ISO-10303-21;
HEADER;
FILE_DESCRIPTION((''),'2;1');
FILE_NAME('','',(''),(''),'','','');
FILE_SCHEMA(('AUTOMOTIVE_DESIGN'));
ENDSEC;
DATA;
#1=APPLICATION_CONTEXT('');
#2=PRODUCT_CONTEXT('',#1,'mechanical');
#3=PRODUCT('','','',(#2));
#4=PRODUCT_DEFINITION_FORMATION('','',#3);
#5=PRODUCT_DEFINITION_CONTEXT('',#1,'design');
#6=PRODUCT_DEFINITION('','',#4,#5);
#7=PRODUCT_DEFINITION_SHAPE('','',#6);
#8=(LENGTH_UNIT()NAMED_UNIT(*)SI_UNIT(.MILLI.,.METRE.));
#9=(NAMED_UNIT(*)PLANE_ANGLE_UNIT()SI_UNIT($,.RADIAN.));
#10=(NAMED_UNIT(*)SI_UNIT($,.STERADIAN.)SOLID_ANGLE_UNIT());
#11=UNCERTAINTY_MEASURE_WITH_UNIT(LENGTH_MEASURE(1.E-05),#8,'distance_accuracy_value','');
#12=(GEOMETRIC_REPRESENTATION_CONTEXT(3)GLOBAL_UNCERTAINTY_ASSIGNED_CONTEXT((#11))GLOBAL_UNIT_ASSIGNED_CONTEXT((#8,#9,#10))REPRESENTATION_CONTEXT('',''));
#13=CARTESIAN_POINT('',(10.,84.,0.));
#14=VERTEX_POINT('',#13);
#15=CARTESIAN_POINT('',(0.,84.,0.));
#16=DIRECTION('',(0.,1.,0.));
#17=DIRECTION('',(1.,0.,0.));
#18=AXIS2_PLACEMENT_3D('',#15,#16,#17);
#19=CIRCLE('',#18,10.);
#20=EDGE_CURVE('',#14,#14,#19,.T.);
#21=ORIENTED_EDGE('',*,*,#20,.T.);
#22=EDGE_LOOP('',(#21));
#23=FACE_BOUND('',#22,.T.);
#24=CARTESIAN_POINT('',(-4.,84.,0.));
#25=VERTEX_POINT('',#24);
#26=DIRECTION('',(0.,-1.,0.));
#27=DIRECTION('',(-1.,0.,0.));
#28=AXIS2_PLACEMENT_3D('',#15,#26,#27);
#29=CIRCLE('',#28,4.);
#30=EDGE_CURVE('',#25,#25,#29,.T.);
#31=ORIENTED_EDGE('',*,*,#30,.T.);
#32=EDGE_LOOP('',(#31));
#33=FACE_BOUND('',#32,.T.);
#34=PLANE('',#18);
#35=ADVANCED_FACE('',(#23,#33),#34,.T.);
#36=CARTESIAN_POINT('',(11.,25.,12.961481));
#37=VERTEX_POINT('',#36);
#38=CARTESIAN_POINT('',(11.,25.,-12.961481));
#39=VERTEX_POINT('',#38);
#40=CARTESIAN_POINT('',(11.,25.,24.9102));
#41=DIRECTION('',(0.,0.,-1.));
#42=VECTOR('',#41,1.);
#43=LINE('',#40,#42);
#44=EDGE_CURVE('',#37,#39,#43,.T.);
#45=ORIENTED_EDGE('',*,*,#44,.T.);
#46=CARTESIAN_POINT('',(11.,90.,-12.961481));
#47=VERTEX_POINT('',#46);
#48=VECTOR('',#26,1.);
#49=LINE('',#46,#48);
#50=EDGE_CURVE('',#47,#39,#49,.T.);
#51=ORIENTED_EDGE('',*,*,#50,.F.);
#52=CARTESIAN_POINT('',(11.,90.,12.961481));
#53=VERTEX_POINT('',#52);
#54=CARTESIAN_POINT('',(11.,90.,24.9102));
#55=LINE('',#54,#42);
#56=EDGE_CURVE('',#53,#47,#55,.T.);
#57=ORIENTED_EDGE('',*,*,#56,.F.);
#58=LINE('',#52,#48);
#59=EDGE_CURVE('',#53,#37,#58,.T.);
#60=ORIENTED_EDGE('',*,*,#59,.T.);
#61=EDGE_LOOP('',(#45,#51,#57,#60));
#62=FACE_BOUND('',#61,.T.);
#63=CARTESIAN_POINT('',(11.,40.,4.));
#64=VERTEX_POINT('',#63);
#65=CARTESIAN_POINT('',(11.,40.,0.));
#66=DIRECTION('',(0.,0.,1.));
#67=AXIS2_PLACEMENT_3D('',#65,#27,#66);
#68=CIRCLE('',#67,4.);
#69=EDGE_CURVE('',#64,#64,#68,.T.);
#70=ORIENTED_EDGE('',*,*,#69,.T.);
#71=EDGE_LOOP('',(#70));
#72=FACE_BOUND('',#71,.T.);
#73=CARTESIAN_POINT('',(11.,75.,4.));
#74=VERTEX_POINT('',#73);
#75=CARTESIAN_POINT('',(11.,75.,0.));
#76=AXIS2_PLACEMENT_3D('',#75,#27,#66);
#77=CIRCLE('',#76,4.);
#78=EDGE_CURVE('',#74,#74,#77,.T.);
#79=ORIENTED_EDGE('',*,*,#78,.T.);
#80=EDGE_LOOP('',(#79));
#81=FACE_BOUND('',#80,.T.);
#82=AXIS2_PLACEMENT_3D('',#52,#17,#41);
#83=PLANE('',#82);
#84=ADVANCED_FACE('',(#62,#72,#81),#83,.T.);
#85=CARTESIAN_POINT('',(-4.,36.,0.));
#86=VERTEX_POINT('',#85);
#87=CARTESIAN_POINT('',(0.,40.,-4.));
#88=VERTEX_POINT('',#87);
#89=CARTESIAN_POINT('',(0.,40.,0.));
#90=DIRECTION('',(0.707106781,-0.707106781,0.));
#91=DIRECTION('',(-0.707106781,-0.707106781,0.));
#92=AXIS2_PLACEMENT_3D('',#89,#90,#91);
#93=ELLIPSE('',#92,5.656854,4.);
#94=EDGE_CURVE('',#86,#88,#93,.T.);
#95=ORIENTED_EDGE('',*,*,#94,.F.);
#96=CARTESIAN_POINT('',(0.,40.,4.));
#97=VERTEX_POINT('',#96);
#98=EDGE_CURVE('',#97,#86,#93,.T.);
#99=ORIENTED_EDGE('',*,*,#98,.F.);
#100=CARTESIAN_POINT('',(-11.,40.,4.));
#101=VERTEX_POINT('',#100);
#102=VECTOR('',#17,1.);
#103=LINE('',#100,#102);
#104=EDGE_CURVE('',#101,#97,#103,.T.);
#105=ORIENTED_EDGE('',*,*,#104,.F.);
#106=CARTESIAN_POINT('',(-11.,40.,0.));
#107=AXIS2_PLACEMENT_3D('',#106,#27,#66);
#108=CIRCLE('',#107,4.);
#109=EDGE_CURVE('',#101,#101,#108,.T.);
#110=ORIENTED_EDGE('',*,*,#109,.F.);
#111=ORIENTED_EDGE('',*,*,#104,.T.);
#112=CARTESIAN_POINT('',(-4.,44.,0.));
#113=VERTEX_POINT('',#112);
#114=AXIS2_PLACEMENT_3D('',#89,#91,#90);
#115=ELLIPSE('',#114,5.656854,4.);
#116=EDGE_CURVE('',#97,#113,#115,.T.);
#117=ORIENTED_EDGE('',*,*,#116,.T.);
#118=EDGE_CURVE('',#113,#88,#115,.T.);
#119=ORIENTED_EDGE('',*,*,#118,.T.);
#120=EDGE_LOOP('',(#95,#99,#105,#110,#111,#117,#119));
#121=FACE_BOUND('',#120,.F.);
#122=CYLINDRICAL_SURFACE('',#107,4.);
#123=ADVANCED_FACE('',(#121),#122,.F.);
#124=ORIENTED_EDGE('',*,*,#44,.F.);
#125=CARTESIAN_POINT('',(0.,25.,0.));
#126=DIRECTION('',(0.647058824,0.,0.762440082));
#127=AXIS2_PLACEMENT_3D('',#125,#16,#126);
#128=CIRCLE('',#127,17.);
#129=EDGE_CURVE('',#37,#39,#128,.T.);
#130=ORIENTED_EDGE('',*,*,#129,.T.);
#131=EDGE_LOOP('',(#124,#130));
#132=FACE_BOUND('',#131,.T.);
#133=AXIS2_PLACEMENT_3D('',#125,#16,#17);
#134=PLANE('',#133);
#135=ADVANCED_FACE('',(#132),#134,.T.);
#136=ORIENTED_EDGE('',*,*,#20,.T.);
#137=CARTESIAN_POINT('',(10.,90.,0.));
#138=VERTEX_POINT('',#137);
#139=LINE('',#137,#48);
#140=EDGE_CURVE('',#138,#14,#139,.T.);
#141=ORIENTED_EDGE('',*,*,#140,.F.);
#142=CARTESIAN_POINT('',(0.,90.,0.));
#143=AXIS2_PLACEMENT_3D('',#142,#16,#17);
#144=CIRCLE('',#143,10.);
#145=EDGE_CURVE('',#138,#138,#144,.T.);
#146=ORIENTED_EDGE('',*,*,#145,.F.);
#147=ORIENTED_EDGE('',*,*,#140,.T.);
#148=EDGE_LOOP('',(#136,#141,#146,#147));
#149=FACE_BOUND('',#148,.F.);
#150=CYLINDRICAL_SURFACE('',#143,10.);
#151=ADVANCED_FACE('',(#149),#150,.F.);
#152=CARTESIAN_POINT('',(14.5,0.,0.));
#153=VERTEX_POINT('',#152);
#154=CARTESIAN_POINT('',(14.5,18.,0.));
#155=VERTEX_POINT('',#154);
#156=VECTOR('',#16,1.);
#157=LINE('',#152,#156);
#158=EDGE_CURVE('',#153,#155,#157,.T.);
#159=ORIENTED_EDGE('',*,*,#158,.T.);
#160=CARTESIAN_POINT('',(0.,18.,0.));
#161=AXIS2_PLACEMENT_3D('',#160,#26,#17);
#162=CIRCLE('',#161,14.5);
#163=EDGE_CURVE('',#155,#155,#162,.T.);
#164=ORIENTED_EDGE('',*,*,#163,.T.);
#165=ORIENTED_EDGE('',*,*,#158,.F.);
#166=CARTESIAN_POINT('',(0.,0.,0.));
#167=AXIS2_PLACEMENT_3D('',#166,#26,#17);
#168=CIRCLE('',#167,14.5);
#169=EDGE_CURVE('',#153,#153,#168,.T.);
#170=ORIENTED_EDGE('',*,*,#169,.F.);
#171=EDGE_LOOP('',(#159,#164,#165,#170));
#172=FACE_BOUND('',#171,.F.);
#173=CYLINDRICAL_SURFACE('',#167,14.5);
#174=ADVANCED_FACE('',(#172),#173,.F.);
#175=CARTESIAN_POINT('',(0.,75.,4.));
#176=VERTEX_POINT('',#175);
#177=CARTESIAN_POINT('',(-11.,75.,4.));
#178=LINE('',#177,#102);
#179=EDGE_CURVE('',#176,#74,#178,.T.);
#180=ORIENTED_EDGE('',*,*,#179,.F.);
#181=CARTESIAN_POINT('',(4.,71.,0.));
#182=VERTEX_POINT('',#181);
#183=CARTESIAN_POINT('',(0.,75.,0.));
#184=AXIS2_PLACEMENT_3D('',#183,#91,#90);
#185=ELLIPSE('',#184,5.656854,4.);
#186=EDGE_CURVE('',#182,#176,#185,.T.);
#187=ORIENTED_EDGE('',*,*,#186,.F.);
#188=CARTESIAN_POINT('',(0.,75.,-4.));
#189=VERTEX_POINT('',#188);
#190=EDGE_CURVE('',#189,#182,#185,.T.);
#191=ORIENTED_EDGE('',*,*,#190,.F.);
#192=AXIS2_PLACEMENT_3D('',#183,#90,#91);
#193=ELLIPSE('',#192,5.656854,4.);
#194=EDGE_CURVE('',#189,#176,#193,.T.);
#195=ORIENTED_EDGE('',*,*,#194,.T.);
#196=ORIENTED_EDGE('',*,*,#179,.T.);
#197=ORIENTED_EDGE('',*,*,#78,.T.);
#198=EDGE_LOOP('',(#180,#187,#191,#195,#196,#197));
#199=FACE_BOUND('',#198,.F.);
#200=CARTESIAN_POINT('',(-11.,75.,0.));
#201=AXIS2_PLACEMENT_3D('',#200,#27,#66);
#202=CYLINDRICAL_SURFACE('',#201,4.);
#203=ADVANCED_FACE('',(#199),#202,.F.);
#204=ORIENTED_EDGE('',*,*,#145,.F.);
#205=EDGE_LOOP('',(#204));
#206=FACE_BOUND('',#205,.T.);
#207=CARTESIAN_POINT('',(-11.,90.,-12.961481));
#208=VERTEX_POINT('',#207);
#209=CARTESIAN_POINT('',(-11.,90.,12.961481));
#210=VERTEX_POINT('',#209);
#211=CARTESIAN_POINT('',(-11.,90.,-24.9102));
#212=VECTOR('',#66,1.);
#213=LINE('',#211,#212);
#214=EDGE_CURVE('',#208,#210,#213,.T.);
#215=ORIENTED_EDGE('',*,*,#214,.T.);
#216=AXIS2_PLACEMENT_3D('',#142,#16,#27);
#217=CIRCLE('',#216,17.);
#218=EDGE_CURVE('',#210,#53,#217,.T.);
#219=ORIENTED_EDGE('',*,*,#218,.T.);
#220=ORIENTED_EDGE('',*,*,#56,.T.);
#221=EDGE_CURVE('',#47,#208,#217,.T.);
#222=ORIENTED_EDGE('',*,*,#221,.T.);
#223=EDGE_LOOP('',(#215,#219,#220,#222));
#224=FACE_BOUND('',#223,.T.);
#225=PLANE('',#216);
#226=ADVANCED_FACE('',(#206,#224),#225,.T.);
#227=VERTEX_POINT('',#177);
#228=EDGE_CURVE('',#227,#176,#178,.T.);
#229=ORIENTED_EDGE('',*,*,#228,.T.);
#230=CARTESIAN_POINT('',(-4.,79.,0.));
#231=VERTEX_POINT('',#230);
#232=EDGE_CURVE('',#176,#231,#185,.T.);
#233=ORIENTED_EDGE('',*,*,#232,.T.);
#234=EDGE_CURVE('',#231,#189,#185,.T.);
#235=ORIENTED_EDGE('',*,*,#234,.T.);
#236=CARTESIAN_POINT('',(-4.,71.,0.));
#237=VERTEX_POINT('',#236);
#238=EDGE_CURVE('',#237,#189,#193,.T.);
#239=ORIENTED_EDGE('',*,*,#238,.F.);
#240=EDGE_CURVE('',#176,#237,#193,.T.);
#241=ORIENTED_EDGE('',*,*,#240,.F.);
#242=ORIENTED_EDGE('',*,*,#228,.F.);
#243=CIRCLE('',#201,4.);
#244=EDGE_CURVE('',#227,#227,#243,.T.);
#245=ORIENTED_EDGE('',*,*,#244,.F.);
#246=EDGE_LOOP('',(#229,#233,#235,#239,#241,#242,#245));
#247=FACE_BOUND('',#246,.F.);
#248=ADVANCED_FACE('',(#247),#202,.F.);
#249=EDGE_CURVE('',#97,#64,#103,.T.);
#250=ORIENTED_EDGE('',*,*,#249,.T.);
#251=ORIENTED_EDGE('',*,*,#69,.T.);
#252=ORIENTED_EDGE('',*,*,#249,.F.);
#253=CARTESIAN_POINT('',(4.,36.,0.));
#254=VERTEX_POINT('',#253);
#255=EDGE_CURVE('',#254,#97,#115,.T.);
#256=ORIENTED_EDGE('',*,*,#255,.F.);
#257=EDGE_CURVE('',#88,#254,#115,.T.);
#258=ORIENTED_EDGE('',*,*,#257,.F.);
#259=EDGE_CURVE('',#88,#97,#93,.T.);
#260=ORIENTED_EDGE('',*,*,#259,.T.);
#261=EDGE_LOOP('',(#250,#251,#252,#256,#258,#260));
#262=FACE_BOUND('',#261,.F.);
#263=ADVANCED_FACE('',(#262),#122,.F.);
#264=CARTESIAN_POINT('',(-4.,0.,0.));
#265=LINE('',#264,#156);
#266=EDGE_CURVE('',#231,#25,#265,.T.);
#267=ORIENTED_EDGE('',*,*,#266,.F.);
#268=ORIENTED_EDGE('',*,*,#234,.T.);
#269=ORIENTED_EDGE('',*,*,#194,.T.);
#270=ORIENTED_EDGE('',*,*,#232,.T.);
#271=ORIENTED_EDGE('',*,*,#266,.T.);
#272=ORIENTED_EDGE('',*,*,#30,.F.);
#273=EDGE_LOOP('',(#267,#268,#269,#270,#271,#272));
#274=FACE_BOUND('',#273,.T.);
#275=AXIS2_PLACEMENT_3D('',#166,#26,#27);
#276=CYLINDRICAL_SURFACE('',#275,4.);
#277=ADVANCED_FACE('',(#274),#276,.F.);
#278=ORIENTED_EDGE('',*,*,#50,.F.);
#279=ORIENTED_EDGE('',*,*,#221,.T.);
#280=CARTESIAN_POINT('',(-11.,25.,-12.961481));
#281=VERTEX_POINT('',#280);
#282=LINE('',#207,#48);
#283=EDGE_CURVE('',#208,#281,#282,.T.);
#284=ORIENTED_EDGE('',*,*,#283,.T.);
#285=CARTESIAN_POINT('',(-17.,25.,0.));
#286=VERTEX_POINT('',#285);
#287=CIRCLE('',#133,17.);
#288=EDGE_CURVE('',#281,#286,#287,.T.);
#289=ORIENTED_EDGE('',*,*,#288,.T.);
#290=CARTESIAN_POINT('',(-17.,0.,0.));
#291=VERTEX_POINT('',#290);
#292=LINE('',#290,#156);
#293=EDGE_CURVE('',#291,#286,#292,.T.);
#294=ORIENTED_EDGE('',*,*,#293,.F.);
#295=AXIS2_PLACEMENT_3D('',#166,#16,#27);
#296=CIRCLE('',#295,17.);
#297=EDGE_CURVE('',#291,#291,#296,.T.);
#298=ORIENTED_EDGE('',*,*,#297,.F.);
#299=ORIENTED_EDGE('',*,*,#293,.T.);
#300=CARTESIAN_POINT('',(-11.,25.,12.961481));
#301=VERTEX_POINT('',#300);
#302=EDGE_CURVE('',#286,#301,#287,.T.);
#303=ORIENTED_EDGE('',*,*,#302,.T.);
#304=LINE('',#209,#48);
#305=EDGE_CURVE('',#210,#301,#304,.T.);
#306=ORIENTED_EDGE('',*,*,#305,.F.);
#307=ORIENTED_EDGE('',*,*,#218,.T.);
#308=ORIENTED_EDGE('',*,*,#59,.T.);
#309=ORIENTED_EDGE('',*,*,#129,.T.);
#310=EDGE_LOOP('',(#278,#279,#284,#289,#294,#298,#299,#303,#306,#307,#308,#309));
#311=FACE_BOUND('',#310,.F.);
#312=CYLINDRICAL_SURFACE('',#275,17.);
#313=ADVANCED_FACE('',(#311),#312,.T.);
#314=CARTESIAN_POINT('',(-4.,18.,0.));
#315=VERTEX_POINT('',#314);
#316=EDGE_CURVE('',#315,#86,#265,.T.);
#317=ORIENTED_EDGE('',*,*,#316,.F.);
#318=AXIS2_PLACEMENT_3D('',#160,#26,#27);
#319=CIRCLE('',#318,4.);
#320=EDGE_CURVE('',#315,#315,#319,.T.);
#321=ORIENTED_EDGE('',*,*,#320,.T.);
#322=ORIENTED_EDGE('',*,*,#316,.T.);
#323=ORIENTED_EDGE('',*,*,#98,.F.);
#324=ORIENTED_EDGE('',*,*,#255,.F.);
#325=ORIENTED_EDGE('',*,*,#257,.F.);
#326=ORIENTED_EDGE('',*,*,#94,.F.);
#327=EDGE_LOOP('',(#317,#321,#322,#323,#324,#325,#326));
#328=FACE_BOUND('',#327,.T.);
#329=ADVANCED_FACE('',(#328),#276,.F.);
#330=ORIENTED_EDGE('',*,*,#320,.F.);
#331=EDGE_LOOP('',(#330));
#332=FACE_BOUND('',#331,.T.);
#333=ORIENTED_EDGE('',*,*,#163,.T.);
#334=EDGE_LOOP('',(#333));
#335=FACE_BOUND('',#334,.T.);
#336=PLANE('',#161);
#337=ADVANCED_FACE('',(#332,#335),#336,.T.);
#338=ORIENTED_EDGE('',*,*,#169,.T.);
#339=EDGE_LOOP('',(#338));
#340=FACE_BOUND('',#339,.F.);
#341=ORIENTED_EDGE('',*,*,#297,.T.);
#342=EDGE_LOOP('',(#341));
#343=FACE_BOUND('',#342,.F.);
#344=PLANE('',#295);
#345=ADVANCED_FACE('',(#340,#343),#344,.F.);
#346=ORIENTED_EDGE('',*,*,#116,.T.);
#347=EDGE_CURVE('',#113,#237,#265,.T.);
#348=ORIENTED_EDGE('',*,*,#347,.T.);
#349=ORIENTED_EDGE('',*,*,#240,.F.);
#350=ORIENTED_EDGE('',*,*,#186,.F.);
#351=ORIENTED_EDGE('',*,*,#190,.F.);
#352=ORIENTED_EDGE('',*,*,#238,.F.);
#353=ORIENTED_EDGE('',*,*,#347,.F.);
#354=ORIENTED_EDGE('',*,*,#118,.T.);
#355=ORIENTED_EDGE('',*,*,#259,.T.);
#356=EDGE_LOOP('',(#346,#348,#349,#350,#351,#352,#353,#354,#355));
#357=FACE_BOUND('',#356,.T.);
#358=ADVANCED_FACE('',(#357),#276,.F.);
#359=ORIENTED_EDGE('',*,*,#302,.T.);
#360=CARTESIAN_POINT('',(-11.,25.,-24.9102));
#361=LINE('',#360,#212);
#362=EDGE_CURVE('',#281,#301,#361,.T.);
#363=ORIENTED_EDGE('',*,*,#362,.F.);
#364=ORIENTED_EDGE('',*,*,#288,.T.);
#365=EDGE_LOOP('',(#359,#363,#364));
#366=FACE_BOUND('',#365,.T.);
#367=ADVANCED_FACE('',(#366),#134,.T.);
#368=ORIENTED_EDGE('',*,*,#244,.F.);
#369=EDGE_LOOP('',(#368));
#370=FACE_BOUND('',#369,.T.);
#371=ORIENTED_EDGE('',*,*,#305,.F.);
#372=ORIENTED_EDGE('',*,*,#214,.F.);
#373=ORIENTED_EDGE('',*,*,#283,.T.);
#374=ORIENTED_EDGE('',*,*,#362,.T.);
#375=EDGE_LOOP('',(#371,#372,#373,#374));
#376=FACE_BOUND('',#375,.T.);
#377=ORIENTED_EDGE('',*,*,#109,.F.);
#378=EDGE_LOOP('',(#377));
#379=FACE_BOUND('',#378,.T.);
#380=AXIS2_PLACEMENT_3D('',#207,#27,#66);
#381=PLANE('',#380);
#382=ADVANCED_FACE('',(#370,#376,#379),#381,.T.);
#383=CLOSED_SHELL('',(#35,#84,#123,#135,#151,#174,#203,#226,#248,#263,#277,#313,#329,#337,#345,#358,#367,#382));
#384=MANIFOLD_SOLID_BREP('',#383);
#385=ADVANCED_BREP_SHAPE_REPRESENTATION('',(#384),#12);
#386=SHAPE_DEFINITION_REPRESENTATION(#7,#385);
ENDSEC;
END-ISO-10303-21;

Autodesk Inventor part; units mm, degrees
ref_plane "YZ Plane" through (0, 0, 0) normal (1, 0, 0) x (0, 1, 0)
ref_plane "XZ Plane" through (0, 0, 0) normal (0, 1, 0) x (-1, 0, 0)
ref_plane "XY Plane" through (0, 0, 0) normal (0, 0, 1) x (1, 0, 0)
sketch "Sketch1" plane through (0, 0, 0) normal (0, 1, 0) x (-1, 0, 0)
  circle A0 centre (0, 0) radius 4
  circle A1 centre (0, 0) radius 17
  dimension "d0" = 8
  dimension "d1" = 34
extrude "Extrusion1" add sketch "Sketch1" along normal blind 90
sketch "Sketch3" plane through (0, 90, 0) normal (0, 1, 0) x (1, 0, 0)
  line L0 (11, 24.9102) -> (-11, 24.9102)
  line L1 (-11, 24.9102) -> (-11, -24.9102)
  line L2 (-11, -24.9102) -> (11, -24.9102)
  line L3 (11, -24.9102) -> (11, 24.9102)
  line L4 (11, 24.9102) -> (-11, -24.9102) construction
  line L5 (-11, 24.9102) -> (11, -24.9102) construction
  circle A0 centre (0, 0) radius 17
  circle A1 centre (0, 0) radius 17 projected
  point P0 (11, 12.9615)
  point P1 (11, -12.9615)
  point P2 (-11, -12.9615)
  point P3 (-11, 12.9615)
  dimension "d7" = 22
extrude "Extrusion3" cut sketch "Sketch3" against normal blind 65 contours A0 L3 | L1 A0
sketch "Sketch4" plane through (-11, 90, -12.9615) normal (-1, 0, 0) x (0, 0, 1)
  circle A0 centre (12.9615, -50) radius 4
  circle A1 centre (12.9615, -15) radius 4
  line L0 (0, 0) -> (25.923, 0) projected
  line L1 (29.9615, -90) -> (-4.0385, -90) projected
  line L2 (0, -65) -> (25.923, -65) projected
  line L3 (25.923, 0) -> (25.923, -65) projected
  line L4 (0, 0) -> (25.923, 0) projected
  line L5 (0, -65) -> (0, 0) projected
  line L6 (0, -65) -> (25.923, -65) projected
  line L7 (25.923, 0) -> (25.923, -65) projected
  line L8 (12.9615, -65) -> (12.9615, -59.6994)
  point P0 (0.995, 0)
  point P1 (15.5881, 0)
  dimension "d12" = 15
  dimension "d15" = 8
  dimension "d17" = 15
extrude "Extrusion4" cut sketch "Sketch4" against normal through all contours A0 | A1
sketch "Sketch5" plane through (0, 0, 0) normal (0, -1, 0) x (1, 0, 0)
  circle A0 centre (0, 0) radius 14.5
  dimension "d18" = 29
extrude "Extrusion5" cut sketch "Sketch5" against normal blind 18
thread "Thread1" size "M8x1.25" class "6H" standard "ANSI Metric M Profile" full length
thread "Thread2" size "M8x1.25" class "6H" standard "ANSI Metric M Profile" full length
thread "Thread3" size "M8x1.25" class "6H" standard "ANSI Metric M Profile" full length
thread "Thread4" size "M8x1.25" class "6H" standard "ANSI Metric M Profile" full length
sketch "Sketch6" plane through (0, 90, 0) normal (0, 1, 0) x (1, 0, 0)
  circle A0 centre (0, 0) radius 10
  dimension "d29" = 20
extrude "Extrusion6" cut sketch "Sketch6" against normal blind 6
equation "\"d12\" = d11"
equation "\"d11\" = 15"
properties part number "Drum" material "Aluminum 6061"
